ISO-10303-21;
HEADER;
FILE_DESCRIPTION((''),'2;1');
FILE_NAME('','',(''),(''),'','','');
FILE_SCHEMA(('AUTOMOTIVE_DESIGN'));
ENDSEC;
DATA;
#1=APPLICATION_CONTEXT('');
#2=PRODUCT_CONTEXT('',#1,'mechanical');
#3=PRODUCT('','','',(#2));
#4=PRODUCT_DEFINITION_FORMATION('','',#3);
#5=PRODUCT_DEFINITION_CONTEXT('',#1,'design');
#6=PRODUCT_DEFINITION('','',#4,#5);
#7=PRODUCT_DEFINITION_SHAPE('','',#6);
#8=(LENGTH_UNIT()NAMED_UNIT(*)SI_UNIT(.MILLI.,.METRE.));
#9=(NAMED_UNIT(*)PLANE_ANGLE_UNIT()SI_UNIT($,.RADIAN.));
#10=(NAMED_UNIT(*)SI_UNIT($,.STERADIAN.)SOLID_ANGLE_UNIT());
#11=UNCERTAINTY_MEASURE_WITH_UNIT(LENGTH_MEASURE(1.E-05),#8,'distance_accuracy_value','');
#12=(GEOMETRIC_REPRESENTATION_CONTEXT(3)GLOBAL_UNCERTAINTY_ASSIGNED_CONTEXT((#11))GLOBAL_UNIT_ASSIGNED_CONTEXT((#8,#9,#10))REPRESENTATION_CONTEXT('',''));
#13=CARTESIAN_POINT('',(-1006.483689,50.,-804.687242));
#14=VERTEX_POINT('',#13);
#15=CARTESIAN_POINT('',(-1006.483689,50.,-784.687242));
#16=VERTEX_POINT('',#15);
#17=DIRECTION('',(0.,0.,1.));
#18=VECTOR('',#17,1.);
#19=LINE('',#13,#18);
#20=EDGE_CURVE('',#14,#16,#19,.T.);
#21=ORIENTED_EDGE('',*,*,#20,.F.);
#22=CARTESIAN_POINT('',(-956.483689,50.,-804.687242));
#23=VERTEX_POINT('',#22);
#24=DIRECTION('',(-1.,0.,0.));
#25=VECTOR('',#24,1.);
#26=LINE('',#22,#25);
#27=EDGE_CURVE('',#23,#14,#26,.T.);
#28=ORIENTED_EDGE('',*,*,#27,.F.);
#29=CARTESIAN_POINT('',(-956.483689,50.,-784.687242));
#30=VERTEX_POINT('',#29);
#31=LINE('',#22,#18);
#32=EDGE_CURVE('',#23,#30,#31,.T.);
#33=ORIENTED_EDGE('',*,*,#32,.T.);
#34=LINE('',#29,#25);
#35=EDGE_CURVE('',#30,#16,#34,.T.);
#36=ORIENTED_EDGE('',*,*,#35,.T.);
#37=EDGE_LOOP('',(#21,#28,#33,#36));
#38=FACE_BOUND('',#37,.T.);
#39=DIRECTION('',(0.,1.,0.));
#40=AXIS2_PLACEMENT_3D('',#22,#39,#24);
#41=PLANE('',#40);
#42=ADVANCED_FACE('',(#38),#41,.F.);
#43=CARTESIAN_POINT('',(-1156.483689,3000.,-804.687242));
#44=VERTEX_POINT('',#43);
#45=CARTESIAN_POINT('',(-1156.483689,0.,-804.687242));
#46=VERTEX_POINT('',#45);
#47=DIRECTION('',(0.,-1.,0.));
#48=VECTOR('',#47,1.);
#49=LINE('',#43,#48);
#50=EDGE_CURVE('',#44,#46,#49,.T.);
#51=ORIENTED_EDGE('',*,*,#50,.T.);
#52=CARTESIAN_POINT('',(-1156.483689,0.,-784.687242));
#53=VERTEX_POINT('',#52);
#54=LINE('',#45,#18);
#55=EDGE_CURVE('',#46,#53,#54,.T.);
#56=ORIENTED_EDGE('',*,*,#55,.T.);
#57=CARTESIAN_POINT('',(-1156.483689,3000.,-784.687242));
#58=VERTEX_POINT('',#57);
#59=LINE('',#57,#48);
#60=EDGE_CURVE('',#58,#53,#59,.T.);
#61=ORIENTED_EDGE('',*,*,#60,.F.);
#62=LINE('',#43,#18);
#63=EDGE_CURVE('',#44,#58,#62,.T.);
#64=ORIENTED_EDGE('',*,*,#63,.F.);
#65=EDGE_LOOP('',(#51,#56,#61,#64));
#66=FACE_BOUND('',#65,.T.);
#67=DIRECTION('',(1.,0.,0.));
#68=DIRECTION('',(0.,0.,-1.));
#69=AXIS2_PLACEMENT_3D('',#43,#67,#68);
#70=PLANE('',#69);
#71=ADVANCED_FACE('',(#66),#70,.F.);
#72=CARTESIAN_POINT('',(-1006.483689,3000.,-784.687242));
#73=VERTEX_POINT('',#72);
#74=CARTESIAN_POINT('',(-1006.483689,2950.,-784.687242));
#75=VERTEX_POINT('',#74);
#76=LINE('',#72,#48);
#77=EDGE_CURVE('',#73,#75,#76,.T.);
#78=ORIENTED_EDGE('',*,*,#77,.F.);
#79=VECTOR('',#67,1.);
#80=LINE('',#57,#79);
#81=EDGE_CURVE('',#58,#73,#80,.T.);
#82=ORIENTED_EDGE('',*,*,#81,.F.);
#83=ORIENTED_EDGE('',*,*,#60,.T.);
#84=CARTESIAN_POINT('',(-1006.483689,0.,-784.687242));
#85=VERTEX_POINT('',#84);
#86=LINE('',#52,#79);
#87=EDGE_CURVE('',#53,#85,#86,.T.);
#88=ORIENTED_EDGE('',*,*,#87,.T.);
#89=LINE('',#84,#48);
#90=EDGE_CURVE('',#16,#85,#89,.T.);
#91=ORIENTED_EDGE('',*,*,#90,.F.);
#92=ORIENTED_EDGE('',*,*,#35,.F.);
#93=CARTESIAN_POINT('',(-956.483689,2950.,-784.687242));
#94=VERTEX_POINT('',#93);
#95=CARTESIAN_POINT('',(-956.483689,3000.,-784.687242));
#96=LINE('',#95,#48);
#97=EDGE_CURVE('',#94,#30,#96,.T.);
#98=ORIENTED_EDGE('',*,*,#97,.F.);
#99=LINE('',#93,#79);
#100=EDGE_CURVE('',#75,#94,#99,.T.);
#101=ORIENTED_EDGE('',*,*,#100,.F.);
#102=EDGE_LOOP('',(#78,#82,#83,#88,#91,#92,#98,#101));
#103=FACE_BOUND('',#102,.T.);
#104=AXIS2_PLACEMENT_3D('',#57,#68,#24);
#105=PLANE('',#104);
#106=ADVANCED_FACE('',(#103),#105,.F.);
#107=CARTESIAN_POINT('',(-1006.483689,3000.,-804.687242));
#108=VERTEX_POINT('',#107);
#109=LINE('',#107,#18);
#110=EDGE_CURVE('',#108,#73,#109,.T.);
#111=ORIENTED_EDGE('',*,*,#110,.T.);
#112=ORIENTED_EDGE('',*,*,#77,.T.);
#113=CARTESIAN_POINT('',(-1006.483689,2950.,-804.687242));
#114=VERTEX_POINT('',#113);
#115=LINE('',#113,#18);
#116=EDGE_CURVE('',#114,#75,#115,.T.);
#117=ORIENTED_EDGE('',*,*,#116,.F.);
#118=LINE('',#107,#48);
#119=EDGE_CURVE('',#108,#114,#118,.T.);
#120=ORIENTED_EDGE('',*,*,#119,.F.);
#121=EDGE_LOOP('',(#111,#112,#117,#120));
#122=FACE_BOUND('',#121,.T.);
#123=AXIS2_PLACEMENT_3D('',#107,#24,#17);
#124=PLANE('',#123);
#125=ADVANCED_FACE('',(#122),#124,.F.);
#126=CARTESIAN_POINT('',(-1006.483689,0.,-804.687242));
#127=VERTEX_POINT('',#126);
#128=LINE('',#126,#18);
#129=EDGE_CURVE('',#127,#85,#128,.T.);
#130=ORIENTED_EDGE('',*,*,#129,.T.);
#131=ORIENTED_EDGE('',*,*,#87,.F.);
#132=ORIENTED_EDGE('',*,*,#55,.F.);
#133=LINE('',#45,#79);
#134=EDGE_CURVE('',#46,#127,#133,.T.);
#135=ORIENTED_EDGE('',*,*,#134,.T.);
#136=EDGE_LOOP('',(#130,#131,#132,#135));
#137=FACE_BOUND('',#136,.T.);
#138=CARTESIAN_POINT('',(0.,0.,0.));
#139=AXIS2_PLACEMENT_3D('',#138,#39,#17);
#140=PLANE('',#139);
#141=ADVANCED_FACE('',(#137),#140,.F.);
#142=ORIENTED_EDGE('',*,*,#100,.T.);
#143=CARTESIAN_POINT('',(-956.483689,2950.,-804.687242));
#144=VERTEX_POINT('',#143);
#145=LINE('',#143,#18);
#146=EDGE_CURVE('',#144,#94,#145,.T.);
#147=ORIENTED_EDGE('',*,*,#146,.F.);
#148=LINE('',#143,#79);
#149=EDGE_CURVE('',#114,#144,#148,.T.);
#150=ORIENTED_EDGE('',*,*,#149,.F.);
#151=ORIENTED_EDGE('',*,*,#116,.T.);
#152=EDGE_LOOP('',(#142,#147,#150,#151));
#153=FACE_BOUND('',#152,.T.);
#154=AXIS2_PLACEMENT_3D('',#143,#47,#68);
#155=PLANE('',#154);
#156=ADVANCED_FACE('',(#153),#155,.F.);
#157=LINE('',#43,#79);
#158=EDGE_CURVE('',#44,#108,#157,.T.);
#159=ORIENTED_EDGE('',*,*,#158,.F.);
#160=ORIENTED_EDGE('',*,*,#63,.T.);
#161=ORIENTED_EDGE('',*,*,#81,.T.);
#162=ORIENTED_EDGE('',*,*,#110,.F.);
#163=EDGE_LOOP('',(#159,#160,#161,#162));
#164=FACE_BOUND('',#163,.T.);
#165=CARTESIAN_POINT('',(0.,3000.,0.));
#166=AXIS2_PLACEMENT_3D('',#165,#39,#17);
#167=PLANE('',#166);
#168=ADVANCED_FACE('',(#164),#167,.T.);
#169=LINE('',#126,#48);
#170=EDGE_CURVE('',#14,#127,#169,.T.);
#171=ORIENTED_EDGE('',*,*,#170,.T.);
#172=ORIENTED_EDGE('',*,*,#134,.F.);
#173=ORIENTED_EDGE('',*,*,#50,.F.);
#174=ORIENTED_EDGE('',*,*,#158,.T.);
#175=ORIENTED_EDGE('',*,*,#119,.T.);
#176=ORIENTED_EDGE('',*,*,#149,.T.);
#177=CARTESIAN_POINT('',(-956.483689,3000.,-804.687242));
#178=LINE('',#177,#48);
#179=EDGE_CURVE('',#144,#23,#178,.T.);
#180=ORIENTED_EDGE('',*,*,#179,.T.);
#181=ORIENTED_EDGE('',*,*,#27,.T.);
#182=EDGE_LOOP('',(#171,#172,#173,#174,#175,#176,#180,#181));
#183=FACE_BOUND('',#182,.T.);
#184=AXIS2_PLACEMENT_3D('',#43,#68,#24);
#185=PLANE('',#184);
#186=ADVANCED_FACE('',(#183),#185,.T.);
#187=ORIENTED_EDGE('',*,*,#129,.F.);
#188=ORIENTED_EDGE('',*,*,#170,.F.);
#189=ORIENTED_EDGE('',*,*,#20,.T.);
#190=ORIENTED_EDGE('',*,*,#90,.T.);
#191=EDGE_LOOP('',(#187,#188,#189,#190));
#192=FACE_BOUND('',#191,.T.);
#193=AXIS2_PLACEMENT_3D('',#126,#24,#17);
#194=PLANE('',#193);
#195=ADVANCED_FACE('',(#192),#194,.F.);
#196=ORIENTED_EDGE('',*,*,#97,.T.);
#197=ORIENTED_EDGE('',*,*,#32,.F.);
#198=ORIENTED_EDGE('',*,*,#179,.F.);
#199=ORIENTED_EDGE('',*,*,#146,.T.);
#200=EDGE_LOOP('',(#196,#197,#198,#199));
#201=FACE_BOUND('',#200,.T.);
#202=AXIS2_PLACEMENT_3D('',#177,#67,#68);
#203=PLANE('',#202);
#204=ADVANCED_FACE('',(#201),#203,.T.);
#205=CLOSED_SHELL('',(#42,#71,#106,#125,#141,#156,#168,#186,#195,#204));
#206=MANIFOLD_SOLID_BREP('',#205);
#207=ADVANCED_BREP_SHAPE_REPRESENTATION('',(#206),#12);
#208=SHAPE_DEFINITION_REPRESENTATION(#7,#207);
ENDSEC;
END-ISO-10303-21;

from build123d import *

# Parameters (mm, degrees)
ESBO_O1_W                = 200
ESBO_O1_H                = 20
RESSALTO_EXTRUS_O1_DEPTH = 3000
ESBO_O2_W                = 50
ESBO_O2_H                = 50
CORTE_EXTRUS_O1_DEPTH    = 21
ESBO_O3_W                = 50
ESBO_O3_H                = 50
CORTE_EXTRUS_O2_DEPTH    = 21


with BuildPart() as part:
    # Esboço1 → Ressalto-extrusão1 (new body)
    with BuildSketch(Plane(origin=(0, 0, 0), x_dir=(1, 0, 0), z_dir=(0, 1, 0))):
        with Locations((-1056.483688544, 794.687242443)):
            Rectangle(ESBO_O1_W, ESBO_O1_H)
    extrude(amount=RESSALTO_EXTRUS_O1_DEPTH)

    # Esboço2 → Corte-extrusão1 (cut, through all)
    with BuildSketch(Plane.XY.offset(-784.687242443)):
        with Locations((-981.483688544, 25)):
            Rectangle(ESBO_O2_W, ESBO_O2_H)
    extrude(amount=-CORTE_EXTRUS_O1_DEPTH, mode=Mode.SUBTRACT)

    # Esboço3 → Corte-extrusão2 (cut, through all)
    with BuildSketch(Plane.XY.offset(-784.687242443)):
        with Locations((-981.483688544, 2975)):
            Rectangle(ESBO_O3_W, ESBO_O3_H)
    extrude(amount=-CORTE_EXTRUS_O2_DEPTH, mode=Mode.SUBTRACT)


solid = part.part
